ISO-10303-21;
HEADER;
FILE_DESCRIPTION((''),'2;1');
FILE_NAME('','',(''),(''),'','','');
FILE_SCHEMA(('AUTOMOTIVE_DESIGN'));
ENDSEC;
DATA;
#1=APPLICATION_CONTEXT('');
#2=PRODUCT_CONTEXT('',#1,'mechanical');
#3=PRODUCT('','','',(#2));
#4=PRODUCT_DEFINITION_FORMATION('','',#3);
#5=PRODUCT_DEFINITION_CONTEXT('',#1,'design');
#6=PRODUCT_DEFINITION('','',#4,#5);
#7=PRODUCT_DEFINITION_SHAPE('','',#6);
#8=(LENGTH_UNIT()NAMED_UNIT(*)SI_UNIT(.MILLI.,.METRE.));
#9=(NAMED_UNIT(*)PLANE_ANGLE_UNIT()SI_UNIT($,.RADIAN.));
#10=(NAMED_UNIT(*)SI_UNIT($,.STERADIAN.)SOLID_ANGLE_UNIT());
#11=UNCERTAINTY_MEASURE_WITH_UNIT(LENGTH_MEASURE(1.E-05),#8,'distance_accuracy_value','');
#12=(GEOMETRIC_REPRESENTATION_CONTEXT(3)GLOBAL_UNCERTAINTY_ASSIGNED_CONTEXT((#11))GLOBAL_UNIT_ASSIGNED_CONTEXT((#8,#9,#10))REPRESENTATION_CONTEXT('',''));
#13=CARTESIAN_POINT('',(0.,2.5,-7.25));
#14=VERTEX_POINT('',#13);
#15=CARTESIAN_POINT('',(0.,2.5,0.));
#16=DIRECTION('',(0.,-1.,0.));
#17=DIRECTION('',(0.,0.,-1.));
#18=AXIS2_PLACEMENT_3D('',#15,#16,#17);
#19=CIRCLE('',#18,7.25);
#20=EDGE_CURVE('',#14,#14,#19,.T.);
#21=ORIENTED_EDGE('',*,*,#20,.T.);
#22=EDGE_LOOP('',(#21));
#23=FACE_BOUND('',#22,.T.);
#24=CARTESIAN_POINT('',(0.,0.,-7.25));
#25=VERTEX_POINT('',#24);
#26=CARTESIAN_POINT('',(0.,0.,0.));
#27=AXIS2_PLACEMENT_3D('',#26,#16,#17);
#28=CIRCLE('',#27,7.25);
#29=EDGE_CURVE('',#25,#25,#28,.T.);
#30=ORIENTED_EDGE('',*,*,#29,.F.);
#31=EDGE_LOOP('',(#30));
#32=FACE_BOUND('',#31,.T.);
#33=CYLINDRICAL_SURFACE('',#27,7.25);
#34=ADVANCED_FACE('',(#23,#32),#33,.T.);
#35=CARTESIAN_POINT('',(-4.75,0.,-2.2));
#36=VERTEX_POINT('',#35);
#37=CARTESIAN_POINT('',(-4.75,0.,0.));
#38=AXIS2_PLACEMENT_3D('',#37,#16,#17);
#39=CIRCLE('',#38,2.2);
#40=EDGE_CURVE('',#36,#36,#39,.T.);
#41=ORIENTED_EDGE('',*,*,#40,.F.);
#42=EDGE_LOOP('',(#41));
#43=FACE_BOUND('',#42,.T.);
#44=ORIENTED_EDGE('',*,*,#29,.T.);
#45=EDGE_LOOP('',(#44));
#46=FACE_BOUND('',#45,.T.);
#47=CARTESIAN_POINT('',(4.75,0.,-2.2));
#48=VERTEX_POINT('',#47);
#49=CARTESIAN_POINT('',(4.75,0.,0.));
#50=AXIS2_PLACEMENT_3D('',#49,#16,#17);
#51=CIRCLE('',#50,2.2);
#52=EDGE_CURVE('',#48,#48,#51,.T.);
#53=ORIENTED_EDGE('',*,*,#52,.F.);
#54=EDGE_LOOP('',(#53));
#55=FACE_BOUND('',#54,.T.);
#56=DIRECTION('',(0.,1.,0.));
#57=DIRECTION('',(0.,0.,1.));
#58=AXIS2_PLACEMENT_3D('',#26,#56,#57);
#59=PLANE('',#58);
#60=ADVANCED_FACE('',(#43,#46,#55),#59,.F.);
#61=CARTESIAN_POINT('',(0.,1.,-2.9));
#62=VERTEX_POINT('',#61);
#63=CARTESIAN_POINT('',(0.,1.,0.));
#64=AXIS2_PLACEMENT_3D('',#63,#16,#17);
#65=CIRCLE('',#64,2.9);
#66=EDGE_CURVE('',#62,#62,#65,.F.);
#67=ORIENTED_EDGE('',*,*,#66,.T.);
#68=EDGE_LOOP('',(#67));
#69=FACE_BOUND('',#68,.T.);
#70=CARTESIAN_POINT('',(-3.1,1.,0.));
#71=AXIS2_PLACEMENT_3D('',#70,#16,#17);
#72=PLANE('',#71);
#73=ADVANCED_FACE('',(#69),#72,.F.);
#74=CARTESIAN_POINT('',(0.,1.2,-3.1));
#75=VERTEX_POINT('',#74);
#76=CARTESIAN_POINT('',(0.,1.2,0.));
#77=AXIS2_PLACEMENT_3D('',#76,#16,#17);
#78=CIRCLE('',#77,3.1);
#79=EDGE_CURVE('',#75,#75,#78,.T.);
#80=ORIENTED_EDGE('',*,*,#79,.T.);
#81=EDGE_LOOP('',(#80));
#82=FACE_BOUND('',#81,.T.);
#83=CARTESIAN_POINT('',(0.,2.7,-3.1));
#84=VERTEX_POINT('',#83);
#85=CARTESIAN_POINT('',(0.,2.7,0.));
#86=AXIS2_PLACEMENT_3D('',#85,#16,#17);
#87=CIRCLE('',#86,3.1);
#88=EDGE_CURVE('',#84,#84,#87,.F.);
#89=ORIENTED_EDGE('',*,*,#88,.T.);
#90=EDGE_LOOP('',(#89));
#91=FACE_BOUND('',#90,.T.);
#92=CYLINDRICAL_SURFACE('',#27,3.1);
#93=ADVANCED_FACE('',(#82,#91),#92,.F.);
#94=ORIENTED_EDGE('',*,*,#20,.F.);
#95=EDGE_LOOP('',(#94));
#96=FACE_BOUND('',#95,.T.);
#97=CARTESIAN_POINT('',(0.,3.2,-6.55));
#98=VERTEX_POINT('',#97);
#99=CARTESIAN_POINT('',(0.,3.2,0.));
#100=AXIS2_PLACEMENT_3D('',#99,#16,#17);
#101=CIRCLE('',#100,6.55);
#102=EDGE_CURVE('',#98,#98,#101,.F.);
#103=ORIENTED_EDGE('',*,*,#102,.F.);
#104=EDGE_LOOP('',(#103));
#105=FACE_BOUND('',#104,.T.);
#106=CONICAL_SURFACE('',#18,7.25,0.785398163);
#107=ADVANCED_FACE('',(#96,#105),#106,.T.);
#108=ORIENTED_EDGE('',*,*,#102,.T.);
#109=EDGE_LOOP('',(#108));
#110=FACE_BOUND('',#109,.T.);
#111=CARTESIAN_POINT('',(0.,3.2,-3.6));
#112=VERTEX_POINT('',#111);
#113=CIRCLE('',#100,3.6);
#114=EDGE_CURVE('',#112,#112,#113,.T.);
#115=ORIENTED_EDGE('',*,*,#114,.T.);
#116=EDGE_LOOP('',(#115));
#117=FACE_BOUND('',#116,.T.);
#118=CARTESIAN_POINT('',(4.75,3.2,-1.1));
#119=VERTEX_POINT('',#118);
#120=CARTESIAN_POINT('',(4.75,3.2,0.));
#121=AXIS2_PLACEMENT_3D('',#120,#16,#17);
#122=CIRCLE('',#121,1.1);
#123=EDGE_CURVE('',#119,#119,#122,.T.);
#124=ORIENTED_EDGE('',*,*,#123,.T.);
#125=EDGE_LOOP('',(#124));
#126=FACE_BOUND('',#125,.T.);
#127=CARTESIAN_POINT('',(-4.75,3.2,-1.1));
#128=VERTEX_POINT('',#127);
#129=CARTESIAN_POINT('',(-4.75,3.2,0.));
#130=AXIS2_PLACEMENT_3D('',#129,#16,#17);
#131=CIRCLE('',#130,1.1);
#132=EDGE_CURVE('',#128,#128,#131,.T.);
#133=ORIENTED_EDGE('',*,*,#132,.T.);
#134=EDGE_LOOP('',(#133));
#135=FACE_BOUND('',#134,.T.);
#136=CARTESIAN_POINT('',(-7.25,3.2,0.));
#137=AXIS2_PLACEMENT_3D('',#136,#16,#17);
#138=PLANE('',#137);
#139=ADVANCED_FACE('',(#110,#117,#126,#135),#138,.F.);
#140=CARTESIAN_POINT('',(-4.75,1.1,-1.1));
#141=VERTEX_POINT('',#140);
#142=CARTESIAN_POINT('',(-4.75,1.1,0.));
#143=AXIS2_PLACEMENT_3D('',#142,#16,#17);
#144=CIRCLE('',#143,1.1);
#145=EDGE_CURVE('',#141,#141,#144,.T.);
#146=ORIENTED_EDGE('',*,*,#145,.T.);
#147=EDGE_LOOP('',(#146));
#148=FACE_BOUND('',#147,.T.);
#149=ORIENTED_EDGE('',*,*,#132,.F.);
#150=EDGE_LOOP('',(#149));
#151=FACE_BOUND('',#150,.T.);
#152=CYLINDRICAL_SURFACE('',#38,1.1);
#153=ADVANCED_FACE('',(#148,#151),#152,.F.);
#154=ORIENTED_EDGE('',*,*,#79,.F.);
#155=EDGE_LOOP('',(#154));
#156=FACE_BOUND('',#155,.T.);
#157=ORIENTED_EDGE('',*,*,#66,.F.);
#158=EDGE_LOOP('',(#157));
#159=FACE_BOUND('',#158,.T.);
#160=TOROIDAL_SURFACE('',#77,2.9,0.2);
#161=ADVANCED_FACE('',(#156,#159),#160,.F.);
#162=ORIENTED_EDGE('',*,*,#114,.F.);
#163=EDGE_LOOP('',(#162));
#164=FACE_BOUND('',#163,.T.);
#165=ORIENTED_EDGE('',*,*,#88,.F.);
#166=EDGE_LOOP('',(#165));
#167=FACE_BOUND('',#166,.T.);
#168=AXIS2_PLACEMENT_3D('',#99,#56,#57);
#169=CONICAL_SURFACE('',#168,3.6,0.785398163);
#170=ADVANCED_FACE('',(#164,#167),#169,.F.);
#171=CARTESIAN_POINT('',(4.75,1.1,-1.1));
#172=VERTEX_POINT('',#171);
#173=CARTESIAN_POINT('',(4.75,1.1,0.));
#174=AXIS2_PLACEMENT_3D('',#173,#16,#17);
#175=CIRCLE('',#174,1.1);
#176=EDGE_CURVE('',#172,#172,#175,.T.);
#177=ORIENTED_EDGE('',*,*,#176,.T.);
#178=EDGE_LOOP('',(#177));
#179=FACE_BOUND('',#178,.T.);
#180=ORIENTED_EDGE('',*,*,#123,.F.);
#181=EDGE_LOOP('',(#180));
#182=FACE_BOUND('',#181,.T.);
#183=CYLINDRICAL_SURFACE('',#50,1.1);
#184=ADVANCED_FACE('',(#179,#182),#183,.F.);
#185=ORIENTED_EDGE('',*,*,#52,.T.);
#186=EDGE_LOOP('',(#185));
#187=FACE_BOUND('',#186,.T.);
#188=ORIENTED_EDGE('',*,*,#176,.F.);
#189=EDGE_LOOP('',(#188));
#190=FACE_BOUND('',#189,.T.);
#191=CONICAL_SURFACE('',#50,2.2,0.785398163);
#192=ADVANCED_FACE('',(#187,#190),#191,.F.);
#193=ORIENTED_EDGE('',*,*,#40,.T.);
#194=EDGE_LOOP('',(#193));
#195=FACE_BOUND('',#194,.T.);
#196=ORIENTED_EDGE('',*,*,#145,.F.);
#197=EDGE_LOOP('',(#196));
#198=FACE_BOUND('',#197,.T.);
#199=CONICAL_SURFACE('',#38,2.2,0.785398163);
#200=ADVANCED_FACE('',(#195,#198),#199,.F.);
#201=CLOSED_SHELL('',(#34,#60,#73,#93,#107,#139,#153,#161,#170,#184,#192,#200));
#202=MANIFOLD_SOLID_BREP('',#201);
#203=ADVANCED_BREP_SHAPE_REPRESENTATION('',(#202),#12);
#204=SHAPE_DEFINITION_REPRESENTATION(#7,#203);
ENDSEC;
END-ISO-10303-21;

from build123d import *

# Parameters (mm, degrees)
CHAMFER2_SIZE     = 0.5
CIRPATTERN1_COUNT = 2
CHAMFER3_SIZE     = 0.7
FILLET2_R         = 0.2


with BuildPart() as part:
    # Sketch1 → Revolve1 (revolve)
    with BuildSketch(Plane.XY, mode=Mode.PRIVATE) as revolve1_sk:
        Polygon((0, 0), (-7.25, 0), (-7.25, 3.2), (-3.1, 3.2), (-3.1, 1), (0, 1), align=None)
    revolve(revolve1_sk.sketch.rotate(Axis((0, 0, 0), (0, 1, 0)), 270), axis=Axis((0, 0, 0), (0, 1, 0)))

    # Chamfer2
    chamfer2_edges = [part.edges().sort_by_distance(p)[0] for p in [
        (0, 3.2, 3.1),
    ]]
    chamfer(chamfer2_edges, length=CHAMFER2_SIZE)

    # Sketch4 → CSK for M2 Flat Head Machine Screw1 (revolve, cut)
    with BuildSketch(Plane(origin=(-4.75, 0, 0), x_dir=(0, 0, -1), z_dir=(1, 0, 0))):
        Polygon((0, 0), (0, 5.660946681), (1.1, 5), (1.1, 1.1), (2.2, 0), align=None)
    csk_for_m2_flat_head_machine_screw1 = revolve(axis=Axis((-4.75, -6.35, 0), (0, 1, 0)), mode=Mode.SUBTRACT)

    # CirPattern1: CSK for M2 Flat Head Machine Screw1 ×2 about axis
    cirpattern1_axis = Axis((0, 0, 0), (0, 1, 0))
    for i in range(1, CIRPATTERN1_COUNT):
        add(csk_for_m2_flat_head_machine_screw1.rotate(cirpattern1_axis, i * 360 / CIRPATTERN1_COUNT), mode=Mode.SUBTRACT)

    # Chamfer3
    chamfer3_edges = [part.edges().sort_by_distance(p)[0] for p in [
        (0, 3.2, 7.25),
    ]]
    chamfer(chamfer3_edges, length=CHAMFER3_SIZE)

    # Fillet2
    fillet2_edges = [part.edges().sort_by_distance(p)[0] for p in [
        (0, 1, 3.1),
    ]]
    fillet(fillet2_edges, radius=FILLET2_R)


solid = part.part
